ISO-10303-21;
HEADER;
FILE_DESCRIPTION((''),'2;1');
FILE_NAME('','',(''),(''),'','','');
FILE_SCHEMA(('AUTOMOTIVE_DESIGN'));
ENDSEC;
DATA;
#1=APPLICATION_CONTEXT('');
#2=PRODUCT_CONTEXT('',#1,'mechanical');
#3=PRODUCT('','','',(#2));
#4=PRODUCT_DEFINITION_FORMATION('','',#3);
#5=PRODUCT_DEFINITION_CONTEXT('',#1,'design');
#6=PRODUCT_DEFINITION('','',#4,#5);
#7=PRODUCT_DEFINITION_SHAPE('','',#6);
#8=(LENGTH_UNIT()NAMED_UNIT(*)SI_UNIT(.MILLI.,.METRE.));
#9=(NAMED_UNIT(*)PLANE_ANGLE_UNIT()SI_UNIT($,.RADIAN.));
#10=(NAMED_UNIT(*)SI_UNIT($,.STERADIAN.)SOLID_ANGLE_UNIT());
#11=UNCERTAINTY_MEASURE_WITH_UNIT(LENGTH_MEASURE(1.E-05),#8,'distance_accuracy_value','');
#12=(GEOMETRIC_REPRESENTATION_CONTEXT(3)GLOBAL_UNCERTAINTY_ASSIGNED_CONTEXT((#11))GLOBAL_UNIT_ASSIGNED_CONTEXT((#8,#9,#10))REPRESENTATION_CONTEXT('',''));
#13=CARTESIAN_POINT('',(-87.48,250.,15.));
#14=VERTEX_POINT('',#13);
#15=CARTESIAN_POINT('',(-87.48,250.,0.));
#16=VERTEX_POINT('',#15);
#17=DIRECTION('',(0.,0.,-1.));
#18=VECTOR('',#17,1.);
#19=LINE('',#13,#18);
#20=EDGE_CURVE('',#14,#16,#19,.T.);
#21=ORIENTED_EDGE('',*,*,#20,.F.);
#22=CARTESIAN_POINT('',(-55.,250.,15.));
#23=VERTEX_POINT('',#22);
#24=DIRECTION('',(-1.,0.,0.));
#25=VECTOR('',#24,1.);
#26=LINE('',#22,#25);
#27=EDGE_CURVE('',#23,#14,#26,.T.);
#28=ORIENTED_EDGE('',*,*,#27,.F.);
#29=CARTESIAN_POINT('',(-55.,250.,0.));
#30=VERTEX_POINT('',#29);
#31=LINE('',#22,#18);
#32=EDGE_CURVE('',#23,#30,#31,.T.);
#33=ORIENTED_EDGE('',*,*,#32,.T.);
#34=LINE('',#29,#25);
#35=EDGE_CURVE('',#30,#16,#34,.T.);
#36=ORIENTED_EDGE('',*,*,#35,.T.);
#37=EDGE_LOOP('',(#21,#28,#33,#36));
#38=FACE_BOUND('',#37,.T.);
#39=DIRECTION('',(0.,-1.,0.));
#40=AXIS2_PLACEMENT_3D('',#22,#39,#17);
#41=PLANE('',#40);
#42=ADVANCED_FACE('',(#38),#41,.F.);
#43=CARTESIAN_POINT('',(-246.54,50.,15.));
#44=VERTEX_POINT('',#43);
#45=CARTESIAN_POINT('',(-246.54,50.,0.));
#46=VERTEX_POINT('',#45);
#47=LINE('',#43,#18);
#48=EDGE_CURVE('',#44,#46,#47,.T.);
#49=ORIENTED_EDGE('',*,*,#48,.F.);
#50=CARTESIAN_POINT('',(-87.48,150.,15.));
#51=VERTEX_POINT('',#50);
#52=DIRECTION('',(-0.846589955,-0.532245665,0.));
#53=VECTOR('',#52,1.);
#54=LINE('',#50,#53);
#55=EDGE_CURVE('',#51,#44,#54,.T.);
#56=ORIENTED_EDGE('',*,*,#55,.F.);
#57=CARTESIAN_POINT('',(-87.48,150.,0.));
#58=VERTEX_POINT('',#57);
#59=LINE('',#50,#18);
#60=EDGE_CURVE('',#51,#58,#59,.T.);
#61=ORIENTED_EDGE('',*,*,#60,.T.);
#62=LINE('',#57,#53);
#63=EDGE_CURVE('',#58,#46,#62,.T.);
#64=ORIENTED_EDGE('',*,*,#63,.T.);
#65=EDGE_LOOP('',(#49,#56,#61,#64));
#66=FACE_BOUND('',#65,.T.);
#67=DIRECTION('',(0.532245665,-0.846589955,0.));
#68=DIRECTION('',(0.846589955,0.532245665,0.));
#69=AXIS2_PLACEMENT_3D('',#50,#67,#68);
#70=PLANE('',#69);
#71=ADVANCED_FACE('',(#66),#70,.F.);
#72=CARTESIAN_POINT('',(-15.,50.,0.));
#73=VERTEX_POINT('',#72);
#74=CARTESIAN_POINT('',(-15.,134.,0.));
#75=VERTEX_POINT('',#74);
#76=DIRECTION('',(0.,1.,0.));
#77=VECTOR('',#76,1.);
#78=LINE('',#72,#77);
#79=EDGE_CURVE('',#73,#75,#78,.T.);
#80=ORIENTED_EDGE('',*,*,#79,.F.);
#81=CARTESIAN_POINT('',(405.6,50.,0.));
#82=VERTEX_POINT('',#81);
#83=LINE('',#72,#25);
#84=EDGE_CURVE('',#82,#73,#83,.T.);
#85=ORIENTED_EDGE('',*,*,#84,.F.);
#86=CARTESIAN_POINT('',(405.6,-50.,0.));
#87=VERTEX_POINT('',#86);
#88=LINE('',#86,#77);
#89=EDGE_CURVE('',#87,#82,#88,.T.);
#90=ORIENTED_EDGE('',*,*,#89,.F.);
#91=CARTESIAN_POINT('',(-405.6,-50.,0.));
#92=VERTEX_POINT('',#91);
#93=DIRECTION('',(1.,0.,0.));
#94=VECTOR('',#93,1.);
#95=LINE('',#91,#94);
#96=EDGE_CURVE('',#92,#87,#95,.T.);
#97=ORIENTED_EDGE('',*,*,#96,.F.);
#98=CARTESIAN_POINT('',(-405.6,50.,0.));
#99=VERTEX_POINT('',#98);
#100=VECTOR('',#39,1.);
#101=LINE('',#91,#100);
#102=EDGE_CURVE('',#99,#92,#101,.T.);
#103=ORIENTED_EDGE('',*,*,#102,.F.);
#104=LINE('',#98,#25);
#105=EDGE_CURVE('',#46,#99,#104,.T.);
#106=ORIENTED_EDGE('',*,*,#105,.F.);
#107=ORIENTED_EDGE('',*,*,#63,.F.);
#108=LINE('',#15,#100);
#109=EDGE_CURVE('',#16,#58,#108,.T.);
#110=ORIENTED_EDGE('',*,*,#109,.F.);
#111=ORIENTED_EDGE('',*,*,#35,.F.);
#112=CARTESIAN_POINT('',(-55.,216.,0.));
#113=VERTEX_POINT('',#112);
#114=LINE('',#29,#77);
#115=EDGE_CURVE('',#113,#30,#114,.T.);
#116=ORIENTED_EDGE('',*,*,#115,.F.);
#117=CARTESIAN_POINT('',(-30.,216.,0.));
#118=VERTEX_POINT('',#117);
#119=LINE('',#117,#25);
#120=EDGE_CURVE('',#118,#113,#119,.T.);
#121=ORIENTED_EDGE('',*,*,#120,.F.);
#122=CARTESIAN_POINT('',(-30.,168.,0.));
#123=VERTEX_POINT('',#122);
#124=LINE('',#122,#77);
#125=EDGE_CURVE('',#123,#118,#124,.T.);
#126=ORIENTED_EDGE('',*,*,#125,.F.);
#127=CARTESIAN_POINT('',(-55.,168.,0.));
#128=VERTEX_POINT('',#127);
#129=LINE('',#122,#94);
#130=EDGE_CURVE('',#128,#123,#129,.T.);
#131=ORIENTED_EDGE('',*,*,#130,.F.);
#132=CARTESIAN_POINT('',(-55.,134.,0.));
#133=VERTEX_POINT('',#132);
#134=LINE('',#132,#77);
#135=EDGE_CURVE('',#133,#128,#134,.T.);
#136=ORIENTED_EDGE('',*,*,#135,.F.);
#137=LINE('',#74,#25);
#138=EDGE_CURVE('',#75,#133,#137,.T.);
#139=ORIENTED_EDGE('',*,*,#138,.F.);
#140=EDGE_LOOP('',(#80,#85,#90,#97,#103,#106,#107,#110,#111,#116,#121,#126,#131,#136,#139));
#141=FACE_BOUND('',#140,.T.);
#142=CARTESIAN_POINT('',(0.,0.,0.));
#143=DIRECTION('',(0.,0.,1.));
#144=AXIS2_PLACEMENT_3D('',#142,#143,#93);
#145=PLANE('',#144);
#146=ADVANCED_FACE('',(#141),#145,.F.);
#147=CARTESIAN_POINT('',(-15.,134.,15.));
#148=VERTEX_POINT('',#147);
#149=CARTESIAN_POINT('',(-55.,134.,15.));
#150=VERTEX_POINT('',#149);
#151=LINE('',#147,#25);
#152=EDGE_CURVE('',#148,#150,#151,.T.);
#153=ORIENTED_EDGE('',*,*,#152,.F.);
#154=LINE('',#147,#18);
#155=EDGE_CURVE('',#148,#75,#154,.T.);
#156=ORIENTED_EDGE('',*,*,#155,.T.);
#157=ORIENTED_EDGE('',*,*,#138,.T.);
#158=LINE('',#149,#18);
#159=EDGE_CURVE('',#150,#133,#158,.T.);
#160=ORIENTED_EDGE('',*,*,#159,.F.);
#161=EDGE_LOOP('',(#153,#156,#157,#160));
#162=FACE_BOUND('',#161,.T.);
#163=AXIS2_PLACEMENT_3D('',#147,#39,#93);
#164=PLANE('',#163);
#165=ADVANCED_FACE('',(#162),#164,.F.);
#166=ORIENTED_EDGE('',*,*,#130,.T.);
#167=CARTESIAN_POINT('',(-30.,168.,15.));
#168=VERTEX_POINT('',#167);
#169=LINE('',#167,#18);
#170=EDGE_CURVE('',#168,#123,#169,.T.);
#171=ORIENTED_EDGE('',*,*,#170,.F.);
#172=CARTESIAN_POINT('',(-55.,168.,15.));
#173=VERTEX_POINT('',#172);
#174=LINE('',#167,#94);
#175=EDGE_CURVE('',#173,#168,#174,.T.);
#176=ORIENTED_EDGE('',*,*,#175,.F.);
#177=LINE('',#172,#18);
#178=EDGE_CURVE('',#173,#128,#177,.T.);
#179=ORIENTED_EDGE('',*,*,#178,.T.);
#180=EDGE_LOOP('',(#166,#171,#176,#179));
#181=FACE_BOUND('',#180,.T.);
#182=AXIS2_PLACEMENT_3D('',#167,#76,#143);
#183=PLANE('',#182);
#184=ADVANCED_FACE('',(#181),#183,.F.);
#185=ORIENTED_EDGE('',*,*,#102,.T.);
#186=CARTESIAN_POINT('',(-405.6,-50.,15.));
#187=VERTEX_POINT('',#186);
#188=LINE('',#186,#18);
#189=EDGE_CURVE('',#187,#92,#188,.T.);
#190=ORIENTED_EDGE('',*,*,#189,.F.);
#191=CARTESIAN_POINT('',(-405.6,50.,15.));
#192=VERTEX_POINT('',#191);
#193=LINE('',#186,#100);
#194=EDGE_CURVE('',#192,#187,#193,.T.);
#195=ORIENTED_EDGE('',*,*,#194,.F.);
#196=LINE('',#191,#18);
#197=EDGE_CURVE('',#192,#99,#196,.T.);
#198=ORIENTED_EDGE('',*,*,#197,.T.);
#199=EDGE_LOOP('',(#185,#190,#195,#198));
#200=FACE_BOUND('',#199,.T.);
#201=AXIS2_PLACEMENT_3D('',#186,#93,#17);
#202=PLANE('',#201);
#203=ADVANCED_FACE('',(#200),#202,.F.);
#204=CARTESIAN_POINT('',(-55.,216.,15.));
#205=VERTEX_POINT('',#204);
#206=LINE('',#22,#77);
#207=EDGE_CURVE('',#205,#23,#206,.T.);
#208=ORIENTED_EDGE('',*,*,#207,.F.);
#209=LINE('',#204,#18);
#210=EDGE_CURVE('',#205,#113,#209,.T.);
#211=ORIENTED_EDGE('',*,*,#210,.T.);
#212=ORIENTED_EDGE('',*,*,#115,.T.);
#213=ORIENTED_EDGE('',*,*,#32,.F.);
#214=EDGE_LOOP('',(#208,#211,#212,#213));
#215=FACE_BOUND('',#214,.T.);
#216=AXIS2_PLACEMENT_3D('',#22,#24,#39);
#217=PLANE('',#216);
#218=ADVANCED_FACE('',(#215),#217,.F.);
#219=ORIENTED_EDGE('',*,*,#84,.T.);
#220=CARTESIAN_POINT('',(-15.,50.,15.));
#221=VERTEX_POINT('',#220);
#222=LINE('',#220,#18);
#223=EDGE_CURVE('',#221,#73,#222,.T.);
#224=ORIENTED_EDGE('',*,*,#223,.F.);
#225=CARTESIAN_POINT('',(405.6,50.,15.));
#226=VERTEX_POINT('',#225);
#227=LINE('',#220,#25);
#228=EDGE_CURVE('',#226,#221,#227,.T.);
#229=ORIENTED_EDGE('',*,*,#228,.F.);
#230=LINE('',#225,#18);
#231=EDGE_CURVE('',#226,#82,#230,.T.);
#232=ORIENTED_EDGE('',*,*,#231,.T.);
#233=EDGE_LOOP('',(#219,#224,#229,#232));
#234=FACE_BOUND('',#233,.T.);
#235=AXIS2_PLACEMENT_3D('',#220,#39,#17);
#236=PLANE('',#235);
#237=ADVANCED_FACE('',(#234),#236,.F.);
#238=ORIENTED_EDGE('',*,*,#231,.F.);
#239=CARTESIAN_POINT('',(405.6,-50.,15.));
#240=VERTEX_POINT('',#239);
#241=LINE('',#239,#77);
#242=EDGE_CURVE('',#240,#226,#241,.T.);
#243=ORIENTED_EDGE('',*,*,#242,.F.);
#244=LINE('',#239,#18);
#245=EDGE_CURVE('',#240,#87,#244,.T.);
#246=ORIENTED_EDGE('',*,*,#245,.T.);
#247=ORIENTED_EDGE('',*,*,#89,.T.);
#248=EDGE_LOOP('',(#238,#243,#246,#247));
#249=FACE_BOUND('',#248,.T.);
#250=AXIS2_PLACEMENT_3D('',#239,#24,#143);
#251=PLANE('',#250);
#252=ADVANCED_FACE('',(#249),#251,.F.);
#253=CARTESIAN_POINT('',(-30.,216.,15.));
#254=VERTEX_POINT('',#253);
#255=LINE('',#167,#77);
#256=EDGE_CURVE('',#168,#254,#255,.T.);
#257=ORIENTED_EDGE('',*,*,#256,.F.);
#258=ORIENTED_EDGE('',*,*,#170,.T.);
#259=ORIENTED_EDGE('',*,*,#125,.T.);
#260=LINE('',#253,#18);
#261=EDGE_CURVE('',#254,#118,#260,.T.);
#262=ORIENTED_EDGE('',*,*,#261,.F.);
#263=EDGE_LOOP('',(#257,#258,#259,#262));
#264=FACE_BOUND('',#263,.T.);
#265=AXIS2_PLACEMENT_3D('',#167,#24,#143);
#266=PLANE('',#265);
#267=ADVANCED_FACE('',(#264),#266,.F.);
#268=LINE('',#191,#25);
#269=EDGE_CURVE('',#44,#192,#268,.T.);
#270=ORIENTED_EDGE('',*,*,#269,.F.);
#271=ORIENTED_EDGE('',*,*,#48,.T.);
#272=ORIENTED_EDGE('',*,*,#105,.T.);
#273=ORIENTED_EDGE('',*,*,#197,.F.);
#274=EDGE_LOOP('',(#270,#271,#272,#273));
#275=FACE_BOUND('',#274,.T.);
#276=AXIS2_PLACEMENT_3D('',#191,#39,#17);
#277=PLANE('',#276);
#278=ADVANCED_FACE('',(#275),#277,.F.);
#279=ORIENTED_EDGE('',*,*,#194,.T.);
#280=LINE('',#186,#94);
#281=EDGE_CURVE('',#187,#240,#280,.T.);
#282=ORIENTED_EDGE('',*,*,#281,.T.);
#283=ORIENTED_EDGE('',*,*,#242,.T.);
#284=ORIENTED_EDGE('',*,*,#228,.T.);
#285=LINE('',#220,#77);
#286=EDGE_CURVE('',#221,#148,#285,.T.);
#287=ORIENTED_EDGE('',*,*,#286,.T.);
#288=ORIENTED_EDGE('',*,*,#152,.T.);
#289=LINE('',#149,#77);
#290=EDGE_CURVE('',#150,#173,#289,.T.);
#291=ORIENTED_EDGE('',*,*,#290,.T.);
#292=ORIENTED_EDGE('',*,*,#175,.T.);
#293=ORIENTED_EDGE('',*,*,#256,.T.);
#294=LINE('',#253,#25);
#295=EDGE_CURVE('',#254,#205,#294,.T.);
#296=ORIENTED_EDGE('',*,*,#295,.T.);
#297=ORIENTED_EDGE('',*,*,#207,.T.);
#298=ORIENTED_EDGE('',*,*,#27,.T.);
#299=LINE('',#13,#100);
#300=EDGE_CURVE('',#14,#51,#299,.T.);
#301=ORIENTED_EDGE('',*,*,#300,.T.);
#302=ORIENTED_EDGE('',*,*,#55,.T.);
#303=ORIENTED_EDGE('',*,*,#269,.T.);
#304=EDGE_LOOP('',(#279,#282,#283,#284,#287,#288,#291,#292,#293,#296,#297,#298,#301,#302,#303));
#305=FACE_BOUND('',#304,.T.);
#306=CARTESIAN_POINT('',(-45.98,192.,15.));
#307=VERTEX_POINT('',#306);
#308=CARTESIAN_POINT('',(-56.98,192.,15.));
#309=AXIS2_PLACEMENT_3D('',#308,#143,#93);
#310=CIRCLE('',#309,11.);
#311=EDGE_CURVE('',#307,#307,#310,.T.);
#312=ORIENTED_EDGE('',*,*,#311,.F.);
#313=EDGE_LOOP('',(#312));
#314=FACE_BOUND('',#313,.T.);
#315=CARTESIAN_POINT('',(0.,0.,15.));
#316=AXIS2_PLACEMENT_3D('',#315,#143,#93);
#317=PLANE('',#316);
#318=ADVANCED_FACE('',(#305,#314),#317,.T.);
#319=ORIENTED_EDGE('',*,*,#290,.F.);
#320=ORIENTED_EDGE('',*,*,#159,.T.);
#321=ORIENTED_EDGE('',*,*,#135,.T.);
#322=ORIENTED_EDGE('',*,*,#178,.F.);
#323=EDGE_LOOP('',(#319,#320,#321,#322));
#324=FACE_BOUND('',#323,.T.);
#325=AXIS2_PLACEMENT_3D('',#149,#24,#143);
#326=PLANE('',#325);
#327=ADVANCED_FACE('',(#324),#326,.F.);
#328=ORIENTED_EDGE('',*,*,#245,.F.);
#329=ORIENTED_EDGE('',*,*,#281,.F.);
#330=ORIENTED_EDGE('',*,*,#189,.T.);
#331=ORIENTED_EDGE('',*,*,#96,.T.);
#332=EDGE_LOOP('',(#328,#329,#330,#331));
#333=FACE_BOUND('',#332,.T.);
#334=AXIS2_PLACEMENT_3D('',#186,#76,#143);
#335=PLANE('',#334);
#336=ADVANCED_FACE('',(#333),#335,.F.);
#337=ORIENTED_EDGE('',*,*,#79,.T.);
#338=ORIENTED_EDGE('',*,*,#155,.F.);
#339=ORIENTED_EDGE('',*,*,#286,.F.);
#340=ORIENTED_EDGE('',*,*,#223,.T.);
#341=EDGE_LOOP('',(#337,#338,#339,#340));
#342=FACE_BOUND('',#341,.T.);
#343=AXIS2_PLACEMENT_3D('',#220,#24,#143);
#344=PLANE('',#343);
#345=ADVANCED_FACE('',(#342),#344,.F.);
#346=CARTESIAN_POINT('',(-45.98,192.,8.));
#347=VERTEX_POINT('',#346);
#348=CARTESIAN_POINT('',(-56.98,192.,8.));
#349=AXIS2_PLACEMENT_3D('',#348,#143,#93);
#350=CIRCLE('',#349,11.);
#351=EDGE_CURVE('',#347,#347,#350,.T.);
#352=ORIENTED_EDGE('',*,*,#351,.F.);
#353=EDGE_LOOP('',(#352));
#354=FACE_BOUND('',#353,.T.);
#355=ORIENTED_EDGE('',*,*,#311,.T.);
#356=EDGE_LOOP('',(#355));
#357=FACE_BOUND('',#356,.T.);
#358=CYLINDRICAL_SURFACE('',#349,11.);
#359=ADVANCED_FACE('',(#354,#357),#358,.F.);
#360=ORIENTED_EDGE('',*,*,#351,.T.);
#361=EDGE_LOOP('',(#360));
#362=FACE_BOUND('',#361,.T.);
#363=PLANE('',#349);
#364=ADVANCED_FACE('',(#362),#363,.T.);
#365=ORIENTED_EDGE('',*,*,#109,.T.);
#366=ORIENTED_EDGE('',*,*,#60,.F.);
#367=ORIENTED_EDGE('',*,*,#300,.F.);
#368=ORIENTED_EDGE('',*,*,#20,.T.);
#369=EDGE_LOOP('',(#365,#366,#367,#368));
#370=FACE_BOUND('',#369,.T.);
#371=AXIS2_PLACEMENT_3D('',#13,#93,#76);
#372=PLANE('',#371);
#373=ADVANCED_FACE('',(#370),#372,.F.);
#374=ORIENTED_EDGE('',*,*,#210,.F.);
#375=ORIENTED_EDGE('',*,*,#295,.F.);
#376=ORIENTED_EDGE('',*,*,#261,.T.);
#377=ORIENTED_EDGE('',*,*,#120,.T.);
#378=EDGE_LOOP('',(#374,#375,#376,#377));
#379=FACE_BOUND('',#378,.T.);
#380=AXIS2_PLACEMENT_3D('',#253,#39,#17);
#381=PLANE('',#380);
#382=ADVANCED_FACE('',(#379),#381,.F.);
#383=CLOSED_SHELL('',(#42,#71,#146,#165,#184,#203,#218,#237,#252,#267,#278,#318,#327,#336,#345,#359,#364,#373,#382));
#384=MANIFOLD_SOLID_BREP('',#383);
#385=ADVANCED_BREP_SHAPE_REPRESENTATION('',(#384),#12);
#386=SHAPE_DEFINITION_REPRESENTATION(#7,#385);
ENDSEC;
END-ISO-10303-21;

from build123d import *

# Parameters (mm, degrees)
SALIENTE_EXTRUIR1_DEPTH = 15
CROQUIS4_R              = 11
CORTAR_EXTRUIR1_DEPTH   = 7


with BuildPart() as part:
    # Croquis1 → Saliente-Extruir1 (new body)
    with BuildSketch(Plane.XY):
        Polygon((-15, 50), (-15, 134), (-55, 134), (-55, 168), (-30, 168), (-30, 216), (-55, 216), (-55, 250), (-87.48, 250), (-87.48, 150), (-246.54, 50), (-405.6, 50), (-405.6, -50), (405.6, -50), (405.6, 50), align=None)
    extrude(amount=SALIENTE_EXTRUIR1_DEPTH)

    # Croquis4 → Cortar-Extruir1 (cut)
    with BuildSketch(Plane.XY.offset(15)):
        with Locations((-56.98, 192)):
            Circle(CROQUIS4_R)
    extrude(amount=-CORTAR_EXTRUIR1_DEPTH, mode=Mode.SUBTRACT)


solid = part.part
